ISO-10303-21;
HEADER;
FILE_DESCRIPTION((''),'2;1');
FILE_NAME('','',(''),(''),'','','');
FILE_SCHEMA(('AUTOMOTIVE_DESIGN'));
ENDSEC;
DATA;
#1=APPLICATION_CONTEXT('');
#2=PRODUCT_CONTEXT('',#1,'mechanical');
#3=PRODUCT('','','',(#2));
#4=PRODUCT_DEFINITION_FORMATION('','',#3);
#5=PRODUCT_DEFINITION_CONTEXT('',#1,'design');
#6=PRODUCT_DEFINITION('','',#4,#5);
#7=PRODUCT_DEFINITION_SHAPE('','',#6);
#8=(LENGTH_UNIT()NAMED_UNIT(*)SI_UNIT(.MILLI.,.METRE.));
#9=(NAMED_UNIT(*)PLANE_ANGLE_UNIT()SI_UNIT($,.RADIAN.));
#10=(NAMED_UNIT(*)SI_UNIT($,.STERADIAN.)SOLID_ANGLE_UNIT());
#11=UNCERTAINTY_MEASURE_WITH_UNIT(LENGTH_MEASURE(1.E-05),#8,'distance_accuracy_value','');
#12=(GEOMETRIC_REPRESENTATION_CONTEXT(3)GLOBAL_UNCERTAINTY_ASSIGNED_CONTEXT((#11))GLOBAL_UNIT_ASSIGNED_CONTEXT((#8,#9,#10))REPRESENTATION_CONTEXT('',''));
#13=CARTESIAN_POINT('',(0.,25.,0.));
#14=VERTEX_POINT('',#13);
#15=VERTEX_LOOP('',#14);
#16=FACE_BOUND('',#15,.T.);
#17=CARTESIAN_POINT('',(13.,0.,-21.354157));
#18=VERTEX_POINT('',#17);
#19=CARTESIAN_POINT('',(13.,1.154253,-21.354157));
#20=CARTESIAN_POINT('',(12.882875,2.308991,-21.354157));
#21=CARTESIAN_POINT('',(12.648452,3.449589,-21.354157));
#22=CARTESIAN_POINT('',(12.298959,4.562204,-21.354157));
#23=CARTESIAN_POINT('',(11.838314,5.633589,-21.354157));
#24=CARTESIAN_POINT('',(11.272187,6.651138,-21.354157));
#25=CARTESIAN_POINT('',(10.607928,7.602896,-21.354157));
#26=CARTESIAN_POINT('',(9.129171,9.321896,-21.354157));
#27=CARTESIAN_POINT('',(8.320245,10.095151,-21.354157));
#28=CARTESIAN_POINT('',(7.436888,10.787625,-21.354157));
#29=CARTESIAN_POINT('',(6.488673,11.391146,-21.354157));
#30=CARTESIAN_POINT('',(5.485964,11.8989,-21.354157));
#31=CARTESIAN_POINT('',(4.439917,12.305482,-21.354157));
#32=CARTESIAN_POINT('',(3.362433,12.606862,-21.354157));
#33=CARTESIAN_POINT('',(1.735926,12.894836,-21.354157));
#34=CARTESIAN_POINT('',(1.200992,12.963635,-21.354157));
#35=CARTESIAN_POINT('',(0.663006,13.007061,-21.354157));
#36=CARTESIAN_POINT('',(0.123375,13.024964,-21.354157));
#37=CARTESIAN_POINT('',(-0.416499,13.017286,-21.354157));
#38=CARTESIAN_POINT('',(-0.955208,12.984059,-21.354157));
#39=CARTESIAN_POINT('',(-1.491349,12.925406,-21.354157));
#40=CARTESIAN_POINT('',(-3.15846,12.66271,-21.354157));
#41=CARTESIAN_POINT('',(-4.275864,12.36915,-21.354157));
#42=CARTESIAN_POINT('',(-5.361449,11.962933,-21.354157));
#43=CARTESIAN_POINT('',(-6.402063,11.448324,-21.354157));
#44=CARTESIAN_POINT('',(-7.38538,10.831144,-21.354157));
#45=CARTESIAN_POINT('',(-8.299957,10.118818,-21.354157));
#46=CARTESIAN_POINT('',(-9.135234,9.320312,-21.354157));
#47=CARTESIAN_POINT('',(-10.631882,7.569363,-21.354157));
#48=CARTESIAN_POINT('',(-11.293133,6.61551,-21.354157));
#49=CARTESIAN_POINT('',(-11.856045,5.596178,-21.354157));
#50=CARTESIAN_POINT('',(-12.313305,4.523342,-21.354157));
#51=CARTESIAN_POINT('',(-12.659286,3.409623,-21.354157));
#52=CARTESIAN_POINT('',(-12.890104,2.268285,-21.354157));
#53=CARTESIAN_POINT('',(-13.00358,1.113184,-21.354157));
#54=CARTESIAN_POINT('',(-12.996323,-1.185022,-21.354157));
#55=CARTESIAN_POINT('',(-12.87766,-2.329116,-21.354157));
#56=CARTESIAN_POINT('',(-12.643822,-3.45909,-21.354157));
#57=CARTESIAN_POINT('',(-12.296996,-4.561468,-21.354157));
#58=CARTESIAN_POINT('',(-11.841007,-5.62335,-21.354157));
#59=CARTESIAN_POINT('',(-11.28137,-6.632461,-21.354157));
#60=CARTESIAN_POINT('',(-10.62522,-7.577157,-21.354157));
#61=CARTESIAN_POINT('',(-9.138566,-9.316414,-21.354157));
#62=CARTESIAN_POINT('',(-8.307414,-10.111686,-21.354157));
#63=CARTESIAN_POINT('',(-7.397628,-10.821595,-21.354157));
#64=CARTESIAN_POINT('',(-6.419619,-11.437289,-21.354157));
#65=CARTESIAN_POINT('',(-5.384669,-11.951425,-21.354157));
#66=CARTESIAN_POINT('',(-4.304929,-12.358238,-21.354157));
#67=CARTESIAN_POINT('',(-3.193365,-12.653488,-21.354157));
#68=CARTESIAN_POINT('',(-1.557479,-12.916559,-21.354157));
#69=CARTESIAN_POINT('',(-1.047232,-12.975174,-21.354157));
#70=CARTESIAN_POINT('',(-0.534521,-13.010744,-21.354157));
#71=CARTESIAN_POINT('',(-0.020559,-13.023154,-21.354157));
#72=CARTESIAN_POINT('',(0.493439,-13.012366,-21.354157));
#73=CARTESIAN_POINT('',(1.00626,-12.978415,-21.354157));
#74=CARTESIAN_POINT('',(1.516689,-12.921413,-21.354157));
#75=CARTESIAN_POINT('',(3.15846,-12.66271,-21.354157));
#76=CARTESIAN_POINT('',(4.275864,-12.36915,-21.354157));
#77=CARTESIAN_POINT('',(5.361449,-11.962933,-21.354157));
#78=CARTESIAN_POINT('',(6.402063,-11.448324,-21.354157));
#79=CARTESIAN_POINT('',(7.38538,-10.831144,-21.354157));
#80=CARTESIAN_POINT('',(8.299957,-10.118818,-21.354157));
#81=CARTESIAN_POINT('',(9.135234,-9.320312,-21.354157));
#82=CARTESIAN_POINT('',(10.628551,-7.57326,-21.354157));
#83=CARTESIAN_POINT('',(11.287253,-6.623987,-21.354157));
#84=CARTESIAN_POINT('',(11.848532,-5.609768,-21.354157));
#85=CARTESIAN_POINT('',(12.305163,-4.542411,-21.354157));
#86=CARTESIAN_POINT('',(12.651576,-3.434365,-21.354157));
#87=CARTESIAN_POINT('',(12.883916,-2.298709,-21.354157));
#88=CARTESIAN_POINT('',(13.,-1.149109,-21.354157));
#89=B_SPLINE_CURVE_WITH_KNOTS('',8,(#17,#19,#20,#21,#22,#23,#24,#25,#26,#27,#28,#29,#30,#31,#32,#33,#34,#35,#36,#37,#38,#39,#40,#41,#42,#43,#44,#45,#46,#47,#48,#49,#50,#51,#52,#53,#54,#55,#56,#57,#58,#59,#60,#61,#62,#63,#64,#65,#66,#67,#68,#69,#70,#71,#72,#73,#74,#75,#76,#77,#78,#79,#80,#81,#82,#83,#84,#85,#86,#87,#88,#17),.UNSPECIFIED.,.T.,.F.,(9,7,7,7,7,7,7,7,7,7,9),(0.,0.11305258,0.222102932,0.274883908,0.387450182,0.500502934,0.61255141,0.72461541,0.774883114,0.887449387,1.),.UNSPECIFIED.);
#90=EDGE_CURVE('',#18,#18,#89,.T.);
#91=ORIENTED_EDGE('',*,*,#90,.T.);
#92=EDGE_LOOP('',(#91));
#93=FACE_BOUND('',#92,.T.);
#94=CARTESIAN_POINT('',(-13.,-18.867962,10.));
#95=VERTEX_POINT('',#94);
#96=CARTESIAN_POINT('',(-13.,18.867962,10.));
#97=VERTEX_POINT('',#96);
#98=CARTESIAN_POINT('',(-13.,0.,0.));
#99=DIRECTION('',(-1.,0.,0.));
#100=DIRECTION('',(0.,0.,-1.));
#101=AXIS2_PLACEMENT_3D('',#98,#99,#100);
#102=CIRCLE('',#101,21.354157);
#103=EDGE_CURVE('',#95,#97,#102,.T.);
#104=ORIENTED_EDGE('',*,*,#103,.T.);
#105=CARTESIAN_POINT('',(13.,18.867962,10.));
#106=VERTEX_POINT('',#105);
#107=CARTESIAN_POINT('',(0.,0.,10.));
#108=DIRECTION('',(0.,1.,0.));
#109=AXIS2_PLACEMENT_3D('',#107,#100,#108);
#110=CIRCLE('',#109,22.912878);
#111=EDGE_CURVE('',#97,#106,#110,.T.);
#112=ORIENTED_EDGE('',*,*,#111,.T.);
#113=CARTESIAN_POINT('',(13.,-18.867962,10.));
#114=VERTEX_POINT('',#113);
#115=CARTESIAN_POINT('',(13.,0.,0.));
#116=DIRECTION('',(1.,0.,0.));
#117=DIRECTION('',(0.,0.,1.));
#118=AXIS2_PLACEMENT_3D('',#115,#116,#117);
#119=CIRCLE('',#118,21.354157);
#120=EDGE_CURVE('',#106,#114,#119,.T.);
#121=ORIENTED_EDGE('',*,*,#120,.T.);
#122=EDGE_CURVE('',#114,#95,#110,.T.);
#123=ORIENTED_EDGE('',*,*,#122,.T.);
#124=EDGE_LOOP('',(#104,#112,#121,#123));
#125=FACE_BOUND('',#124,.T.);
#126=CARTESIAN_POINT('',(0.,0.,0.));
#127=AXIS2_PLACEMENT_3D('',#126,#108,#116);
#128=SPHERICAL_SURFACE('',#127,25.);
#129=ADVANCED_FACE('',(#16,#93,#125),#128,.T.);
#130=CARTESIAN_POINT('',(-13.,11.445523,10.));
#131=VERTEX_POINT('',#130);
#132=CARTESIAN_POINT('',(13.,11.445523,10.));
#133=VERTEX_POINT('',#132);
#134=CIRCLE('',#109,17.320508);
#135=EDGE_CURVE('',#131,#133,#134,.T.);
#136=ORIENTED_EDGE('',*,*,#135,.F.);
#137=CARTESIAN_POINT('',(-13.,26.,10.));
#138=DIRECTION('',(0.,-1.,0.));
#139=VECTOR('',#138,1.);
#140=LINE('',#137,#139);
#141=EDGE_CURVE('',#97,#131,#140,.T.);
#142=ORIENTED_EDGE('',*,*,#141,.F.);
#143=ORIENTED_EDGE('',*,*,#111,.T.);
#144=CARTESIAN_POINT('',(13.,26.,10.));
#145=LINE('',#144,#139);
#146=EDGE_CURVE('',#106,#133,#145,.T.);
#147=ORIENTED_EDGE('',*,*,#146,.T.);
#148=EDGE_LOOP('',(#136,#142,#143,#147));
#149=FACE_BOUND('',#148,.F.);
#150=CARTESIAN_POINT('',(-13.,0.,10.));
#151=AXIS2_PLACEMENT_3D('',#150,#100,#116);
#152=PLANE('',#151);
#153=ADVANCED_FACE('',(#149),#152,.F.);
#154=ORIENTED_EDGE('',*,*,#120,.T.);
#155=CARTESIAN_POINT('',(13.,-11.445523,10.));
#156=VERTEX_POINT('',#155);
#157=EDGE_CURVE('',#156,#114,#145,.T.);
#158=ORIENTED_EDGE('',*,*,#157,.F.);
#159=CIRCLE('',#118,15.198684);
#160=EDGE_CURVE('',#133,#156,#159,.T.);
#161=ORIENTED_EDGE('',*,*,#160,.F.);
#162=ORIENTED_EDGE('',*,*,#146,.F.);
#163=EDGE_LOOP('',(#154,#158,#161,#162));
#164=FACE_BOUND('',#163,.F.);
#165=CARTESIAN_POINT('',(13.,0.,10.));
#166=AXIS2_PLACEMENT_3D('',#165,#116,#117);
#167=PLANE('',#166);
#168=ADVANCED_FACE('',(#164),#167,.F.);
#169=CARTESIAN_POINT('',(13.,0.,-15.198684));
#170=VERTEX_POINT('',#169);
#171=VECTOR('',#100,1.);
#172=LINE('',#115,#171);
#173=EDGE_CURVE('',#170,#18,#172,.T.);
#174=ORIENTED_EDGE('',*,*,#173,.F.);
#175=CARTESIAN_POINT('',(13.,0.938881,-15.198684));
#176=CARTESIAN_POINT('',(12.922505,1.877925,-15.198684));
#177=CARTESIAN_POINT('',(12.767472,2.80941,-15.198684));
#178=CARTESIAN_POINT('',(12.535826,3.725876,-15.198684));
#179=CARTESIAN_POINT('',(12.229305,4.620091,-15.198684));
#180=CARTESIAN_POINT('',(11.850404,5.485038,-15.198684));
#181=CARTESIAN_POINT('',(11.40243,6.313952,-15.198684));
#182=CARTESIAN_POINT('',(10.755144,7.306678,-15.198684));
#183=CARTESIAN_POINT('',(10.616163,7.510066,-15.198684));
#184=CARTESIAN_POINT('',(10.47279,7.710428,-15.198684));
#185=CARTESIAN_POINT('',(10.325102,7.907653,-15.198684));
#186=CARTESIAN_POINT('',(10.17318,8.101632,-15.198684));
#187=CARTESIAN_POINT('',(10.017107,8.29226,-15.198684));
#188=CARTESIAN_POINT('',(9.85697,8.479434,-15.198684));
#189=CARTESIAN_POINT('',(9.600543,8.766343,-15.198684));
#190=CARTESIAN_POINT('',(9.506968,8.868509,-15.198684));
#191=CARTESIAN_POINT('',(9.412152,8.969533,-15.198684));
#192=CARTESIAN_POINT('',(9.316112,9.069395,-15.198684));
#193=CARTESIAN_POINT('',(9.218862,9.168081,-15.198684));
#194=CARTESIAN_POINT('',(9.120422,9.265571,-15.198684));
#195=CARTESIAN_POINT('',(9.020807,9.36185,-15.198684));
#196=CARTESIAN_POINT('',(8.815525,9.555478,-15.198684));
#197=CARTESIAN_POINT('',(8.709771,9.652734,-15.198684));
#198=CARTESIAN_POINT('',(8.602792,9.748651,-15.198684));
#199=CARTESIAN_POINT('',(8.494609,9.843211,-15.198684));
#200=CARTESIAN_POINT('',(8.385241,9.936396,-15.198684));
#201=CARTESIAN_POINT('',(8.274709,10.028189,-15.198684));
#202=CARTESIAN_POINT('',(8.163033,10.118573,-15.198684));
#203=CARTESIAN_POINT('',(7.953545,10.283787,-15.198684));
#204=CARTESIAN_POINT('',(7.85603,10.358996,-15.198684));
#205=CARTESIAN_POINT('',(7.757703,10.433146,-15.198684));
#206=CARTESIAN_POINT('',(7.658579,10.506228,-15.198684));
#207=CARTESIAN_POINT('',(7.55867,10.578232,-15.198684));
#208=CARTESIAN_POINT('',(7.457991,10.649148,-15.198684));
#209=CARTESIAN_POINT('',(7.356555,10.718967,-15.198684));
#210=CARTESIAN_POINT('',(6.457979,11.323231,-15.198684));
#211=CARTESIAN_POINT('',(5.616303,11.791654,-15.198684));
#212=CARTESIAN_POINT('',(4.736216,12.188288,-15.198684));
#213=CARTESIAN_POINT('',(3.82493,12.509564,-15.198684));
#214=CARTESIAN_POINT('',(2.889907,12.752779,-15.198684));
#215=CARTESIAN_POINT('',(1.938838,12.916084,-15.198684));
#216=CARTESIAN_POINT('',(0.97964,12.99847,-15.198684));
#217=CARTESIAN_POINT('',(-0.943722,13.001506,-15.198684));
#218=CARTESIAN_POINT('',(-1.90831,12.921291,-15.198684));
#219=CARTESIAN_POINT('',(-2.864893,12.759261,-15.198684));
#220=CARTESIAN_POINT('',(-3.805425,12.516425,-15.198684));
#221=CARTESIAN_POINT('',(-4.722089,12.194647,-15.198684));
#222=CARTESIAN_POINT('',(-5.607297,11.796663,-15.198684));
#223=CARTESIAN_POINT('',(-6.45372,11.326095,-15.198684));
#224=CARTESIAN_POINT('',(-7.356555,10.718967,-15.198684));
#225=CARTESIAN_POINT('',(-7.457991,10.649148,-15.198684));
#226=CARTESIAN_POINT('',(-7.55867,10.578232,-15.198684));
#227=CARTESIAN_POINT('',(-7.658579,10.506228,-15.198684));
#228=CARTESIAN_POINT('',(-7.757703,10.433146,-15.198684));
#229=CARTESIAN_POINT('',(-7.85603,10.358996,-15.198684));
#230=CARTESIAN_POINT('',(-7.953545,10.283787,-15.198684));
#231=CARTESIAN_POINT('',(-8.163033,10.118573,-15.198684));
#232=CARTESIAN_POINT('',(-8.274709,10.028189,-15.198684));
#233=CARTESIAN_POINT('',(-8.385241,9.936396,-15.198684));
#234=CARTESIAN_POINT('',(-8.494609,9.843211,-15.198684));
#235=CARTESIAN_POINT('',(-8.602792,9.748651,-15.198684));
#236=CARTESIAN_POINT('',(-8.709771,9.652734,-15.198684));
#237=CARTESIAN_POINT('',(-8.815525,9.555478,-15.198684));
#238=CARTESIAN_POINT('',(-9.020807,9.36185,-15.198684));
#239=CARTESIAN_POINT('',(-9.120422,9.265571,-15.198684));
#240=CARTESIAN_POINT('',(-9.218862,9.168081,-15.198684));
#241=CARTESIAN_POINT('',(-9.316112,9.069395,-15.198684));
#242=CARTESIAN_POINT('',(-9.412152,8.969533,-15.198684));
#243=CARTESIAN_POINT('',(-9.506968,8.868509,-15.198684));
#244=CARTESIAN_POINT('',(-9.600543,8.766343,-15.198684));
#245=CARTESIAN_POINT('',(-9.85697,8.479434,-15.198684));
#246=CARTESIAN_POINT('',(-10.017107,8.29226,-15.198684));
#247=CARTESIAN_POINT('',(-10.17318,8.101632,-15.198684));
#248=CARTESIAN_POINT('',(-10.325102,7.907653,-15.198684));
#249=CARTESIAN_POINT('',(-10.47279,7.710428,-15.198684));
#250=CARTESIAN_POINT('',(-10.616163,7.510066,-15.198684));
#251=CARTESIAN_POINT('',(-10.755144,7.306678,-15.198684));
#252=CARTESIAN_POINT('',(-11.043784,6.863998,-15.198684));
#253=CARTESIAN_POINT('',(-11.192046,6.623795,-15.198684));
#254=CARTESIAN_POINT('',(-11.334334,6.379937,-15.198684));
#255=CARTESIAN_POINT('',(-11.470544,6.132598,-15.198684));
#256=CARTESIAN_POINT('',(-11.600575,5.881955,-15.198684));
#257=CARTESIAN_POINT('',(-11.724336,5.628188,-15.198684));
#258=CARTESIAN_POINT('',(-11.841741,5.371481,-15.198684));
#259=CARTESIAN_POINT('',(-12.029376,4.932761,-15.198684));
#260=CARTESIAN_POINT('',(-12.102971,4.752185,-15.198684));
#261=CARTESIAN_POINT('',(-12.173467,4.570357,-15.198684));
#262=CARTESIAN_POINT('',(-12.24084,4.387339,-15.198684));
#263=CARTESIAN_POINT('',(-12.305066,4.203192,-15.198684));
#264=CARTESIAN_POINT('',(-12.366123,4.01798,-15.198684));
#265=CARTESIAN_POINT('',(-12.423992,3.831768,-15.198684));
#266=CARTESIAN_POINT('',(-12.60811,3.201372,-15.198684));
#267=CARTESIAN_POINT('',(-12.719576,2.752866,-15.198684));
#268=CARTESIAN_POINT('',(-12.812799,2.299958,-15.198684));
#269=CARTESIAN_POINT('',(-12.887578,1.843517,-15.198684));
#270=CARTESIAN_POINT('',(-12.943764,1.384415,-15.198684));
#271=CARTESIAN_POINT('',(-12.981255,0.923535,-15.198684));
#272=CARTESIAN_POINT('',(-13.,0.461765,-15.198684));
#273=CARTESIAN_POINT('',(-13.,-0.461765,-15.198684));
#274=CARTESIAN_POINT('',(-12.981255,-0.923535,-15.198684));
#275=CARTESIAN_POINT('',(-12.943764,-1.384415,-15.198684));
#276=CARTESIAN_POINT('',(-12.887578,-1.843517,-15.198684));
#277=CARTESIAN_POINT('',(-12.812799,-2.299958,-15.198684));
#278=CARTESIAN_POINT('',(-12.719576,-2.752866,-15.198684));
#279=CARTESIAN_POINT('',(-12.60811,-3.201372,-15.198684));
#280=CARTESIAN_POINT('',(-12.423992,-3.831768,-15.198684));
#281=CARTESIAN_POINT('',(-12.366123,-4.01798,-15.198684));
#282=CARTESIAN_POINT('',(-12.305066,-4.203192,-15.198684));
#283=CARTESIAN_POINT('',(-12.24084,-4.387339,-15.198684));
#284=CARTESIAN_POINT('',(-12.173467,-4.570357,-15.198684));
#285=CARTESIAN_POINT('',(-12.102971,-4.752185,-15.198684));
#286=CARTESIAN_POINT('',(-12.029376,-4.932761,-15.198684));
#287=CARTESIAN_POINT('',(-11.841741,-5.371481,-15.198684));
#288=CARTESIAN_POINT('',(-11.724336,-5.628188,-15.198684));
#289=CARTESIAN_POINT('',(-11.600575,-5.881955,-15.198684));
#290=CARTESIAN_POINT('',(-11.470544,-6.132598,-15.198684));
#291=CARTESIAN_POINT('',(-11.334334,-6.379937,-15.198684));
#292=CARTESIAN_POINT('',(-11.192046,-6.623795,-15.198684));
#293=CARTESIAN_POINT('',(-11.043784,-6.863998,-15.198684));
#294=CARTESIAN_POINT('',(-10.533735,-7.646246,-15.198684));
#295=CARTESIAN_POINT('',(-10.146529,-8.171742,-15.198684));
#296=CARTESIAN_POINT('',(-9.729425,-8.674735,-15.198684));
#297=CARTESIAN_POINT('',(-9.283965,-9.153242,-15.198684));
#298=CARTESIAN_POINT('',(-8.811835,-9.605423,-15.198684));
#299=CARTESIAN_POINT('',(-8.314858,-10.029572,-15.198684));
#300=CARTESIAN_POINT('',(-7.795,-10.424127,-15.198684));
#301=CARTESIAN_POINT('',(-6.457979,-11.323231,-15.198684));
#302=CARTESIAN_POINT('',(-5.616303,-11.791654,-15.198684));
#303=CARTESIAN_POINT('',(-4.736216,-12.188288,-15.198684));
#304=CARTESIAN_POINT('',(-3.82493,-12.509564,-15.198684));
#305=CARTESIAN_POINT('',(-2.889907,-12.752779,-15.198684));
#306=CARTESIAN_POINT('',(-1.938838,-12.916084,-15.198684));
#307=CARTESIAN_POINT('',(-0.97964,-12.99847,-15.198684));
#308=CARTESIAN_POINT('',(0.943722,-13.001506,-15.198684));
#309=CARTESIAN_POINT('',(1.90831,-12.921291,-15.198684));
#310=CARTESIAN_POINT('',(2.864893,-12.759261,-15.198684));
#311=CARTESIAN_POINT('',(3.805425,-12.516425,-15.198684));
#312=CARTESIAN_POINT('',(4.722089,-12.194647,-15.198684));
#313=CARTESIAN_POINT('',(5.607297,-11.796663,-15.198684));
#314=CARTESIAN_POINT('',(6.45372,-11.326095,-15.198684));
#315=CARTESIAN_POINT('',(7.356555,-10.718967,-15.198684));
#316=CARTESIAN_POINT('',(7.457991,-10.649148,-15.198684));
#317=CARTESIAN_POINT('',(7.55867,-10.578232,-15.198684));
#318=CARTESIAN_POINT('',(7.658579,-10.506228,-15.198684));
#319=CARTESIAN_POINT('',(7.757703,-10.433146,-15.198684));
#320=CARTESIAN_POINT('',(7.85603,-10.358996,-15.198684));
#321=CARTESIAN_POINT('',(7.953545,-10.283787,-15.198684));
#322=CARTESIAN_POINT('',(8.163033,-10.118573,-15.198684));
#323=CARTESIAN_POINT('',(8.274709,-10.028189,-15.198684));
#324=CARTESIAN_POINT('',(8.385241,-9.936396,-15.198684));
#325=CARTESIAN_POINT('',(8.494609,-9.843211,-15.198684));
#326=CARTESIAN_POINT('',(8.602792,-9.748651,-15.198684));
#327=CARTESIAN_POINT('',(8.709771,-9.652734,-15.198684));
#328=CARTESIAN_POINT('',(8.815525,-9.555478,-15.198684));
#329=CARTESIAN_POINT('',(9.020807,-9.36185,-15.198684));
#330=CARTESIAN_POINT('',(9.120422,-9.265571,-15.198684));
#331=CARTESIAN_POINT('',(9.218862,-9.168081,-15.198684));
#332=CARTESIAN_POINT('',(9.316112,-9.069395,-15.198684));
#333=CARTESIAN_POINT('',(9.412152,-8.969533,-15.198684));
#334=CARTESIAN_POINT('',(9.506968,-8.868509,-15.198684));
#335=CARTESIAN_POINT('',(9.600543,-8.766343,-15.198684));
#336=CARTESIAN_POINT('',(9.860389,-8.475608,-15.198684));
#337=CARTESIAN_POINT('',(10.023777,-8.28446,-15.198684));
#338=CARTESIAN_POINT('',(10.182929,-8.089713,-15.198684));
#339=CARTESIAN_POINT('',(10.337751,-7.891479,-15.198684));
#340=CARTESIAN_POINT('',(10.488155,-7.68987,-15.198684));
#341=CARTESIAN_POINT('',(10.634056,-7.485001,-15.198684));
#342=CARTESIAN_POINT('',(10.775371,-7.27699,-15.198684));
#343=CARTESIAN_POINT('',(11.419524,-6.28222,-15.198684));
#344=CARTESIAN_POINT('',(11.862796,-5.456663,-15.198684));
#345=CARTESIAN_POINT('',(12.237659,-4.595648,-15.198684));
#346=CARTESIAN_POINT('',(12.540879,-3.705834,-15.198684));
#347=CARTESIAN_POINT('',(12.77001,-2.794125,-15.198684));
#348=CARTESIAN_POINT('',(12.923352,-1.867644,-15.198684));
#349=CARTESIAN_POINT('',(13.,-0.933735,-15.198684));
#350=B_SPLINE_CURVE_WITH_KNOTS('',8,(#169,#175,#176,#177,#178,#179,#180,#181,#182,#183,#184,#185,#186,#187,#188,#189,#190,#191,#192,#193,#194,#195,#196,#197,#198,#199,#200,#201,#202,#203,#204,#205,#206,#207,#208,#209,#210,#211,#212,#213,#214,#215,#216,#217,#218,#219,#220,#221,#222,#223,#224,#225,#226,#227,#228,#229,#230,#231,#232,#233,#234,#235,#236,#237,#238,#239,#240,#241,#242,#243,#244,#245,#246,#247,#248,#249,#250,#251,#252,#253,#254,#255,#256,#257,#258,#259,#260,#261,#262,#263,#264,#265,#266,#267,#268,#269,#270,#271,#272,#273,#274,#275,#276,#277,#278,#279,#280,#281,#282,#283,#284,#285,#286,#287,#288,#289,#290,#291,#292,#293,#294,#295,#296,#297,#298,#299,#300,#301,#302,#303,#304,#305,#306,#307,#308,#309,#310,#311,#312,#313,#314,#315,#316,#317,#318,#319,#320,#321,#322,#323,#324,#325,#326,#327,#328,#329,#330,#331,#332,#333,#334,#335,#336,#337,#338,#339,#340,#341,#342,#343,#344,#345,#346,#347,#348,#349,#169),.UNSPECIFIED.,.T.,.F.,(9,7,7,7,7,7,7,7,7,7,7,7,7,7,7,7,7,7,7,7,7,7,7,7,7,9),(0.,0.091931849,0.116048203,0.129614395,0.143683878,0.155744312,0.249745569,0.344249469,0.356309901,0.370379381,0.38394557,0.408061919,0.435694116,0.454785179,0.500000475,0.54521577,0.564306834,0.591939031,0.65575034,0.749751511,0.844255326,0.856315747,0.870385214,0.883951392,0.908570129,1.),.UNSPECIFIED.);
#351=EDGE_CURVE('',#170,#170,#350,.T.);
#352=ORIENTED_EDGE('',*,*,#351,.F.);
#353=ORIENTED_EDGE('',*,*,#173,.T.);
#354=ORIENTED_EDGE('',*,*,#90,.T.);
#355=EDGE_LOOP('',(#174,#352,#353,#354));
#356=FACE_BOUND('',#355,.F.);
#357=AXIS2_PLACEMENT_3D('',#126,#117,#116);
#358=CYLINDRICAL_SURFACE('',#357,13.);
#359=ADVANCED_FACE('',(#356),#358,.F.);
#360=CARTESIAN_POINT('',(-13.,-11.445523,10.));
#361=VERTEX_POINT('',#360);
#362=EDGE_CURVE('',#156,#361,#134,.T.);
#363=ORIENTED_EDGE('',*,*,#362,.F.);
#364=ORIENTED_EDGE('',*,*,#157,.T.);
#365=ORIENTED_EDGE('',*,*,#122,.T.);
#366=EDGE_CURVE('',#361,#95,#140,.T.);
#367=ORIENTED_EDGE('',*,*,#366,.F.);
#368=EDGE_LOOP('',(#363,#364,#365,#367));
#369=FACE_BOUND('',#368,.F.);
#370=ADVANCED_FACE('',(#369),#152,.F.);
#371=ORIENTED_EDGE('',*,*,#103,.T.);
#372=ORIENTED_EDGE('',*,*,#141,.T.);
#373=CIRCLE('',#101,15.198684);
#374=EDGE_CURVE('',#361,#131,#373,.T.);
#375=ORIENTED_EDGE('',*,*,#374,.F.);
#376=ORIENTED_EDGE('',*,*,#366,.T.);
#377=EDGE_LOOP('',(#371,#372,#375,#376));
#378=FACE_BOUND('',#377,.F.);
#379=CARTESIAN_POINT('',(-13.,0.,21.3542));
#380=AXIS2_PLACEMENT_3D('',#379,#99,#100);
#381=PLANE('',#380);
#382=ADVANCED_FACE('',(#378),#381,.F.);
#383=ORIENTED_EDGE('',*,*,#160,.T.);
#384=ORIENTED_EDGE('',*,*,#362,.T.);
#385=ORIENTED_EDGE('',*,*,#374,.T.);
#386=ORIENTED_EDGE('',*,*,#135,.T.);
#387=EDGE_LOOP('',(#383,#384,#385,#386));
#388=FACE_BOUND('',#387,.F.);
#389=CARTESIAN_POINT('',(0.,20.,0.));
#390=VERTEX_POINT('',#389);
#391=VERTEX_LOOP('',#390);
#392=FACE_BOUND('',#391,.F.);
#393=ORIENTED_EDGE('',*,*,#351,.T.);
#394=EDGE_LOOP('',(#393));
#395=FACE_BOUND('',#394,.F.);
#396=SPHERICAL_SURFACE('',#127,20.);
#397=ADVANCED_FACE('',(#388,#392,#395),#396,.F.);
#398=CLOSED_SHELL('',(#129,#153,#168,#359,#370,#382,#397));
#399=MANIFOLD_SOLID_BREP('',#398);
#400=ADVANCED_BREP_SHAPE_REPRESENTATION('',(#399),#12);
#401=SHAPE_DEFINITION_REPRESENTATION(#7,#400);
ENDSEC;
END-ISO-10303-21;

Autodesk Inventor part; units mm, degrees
ref_plane "YZ Plane" through (0, 0, 0) normal (1, 0, 0) x (0, 1, 0)
ref_plane "XZ Plane" through (0, 0, 0) normal (0, 1, 0) x (-1, 0, 0)
ref_plane "XY Plane" through (0, 0, 0) normal (0, 0, 1) x (1, 0, 0)
sketch "Эскиз1" plane through (0, 0, 0) normal (0, 0, 1) x (1, 0, 0)
  arc A0 (0, -25) -> (0, 25) centre (0, 0) ccw
  arc A1 (0, -20) -> (0, 20) centre (0, 0) ccw
  line L0 (0, 25) -> (0, 20)
  line L1 (0, -20) -> (0, -25)
  line L2 (0, -35) -> (0, 35) projected
  dimension "d0" = 20
  dimension "d1" = 25
revolve "Вращение1" add sketch "Эскиз1" angle 360 about axis through (0, -10, 0) along (0, 1, 0) contours L1 A1 L0 A0
sketch "Эскиз2" plane through (0, 0, 0) normal (0, 0, 1) x (1, 0, 0)
  circle A0 centre (0, 0) radius 13
  dimension "d3" = 26
extrude "Выдавливание1" cut sketch "Эскиз2" against normal through all
sketch "Эскиз3" plane through (0, 0, 0) normal (0, 1, 0) x (-1, 0, 0)
  arc A0 (13, -21.3542) -> (-13, -21.3542) centre (0, 0) ccw projected
  line L0 (13, 10) -> (-13, 10)
  line L1 (-13, 10) -> (-13, 25)
  line L2 (-13, 25) -> (13, 25)
  line L3 (13, 25) -> (13, 10)
  dimension "d6" = 10
  dimension "d7" = 26
  dimension "d9" = 13
extrude "Выдавливание2" cut sketch "Эскиз3" along normal through all both and the other way through all
